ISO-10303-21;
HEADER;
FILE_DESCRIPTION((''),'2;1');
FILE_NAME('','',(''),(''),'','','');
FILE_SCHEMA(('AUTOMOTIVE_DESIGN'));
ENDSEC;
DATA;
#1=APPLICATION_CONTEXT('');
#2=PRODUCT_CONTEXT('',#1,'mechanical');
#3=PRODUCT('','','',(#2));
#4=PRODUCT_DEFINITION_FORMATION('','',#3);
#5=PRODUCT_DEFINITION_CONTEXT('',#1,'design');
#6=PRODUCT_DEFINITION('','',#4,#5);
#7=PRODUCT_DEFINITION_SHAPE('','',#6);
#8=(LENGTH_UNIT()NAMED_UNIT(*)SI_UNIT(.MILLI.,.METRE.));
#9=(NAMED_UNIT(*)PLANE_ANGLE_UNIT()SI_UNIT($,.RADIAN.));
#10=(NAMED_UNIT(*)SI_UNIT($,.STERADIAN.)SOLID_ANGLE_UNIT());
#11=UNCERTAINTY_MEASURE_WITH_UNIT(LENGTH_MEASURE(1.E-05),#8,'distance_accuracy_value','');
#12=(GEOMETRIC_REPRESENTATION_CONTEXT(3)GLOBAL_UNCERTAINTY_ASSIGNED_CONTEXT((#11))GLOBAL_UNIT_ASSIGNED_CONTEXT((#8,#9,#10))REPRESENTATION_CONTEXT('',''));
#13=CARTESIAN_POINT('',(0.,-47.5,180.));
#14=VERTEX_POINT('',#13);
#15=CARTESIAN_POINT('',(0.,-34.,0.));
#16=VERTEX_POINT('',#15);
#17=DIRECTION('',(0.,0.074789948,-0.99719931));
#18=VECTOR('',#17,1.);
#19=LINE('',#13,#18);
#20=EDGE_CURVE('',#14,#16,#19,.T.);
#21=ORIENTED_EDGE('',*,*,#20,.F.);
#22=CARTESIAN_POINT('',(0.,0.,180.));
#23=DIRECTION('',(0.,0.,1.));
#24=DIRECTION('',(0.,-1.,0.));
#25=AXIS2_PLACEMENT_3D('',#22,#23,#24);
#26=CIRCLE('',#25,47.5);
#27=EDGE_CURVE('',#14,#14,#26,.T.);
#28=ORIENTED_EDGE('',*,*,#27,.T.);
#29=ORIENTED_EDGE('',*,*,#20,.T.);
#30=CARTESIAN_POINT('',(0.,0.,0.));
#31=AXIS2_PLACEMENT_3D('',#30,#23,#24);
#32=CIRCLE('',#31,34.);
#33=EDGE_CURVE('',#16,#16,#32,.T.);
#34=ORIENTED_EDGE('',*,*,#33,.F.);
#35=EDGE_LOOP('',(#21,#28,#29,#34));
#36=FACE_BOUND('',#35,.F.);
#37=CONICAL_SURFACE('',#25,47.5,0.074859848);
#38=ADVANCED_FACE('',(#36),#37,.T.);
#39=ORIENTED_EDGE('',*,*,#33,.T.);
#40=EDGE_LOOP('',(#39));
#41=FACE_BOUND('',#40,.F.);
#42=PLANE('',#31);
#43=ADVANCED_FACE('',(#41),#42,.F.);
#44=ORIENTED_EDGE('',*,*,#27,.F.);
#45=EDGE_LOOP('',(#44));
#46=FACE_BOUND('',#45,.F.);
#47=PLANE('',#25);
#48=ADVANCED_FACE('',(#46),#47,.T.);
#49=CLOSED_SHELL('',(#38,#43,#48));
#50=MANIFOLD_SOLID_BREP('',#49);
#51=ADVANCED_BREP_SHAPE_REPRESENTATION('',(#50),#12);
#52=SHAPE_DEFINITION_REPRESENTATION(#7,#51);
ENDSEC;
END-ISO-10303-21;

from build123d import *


with BuildPart() as f1:
    # F0 (on Right) → F1 (revolve)
    with BuildSketch(Plane.YZ):
        Polygon((0, 180), (-47.5, 180), (-34, 0), (0, 0), align=None)
    revolve(axis=Axis((0, 0, 90), (0, 0, 1)))


solid = f1.part
